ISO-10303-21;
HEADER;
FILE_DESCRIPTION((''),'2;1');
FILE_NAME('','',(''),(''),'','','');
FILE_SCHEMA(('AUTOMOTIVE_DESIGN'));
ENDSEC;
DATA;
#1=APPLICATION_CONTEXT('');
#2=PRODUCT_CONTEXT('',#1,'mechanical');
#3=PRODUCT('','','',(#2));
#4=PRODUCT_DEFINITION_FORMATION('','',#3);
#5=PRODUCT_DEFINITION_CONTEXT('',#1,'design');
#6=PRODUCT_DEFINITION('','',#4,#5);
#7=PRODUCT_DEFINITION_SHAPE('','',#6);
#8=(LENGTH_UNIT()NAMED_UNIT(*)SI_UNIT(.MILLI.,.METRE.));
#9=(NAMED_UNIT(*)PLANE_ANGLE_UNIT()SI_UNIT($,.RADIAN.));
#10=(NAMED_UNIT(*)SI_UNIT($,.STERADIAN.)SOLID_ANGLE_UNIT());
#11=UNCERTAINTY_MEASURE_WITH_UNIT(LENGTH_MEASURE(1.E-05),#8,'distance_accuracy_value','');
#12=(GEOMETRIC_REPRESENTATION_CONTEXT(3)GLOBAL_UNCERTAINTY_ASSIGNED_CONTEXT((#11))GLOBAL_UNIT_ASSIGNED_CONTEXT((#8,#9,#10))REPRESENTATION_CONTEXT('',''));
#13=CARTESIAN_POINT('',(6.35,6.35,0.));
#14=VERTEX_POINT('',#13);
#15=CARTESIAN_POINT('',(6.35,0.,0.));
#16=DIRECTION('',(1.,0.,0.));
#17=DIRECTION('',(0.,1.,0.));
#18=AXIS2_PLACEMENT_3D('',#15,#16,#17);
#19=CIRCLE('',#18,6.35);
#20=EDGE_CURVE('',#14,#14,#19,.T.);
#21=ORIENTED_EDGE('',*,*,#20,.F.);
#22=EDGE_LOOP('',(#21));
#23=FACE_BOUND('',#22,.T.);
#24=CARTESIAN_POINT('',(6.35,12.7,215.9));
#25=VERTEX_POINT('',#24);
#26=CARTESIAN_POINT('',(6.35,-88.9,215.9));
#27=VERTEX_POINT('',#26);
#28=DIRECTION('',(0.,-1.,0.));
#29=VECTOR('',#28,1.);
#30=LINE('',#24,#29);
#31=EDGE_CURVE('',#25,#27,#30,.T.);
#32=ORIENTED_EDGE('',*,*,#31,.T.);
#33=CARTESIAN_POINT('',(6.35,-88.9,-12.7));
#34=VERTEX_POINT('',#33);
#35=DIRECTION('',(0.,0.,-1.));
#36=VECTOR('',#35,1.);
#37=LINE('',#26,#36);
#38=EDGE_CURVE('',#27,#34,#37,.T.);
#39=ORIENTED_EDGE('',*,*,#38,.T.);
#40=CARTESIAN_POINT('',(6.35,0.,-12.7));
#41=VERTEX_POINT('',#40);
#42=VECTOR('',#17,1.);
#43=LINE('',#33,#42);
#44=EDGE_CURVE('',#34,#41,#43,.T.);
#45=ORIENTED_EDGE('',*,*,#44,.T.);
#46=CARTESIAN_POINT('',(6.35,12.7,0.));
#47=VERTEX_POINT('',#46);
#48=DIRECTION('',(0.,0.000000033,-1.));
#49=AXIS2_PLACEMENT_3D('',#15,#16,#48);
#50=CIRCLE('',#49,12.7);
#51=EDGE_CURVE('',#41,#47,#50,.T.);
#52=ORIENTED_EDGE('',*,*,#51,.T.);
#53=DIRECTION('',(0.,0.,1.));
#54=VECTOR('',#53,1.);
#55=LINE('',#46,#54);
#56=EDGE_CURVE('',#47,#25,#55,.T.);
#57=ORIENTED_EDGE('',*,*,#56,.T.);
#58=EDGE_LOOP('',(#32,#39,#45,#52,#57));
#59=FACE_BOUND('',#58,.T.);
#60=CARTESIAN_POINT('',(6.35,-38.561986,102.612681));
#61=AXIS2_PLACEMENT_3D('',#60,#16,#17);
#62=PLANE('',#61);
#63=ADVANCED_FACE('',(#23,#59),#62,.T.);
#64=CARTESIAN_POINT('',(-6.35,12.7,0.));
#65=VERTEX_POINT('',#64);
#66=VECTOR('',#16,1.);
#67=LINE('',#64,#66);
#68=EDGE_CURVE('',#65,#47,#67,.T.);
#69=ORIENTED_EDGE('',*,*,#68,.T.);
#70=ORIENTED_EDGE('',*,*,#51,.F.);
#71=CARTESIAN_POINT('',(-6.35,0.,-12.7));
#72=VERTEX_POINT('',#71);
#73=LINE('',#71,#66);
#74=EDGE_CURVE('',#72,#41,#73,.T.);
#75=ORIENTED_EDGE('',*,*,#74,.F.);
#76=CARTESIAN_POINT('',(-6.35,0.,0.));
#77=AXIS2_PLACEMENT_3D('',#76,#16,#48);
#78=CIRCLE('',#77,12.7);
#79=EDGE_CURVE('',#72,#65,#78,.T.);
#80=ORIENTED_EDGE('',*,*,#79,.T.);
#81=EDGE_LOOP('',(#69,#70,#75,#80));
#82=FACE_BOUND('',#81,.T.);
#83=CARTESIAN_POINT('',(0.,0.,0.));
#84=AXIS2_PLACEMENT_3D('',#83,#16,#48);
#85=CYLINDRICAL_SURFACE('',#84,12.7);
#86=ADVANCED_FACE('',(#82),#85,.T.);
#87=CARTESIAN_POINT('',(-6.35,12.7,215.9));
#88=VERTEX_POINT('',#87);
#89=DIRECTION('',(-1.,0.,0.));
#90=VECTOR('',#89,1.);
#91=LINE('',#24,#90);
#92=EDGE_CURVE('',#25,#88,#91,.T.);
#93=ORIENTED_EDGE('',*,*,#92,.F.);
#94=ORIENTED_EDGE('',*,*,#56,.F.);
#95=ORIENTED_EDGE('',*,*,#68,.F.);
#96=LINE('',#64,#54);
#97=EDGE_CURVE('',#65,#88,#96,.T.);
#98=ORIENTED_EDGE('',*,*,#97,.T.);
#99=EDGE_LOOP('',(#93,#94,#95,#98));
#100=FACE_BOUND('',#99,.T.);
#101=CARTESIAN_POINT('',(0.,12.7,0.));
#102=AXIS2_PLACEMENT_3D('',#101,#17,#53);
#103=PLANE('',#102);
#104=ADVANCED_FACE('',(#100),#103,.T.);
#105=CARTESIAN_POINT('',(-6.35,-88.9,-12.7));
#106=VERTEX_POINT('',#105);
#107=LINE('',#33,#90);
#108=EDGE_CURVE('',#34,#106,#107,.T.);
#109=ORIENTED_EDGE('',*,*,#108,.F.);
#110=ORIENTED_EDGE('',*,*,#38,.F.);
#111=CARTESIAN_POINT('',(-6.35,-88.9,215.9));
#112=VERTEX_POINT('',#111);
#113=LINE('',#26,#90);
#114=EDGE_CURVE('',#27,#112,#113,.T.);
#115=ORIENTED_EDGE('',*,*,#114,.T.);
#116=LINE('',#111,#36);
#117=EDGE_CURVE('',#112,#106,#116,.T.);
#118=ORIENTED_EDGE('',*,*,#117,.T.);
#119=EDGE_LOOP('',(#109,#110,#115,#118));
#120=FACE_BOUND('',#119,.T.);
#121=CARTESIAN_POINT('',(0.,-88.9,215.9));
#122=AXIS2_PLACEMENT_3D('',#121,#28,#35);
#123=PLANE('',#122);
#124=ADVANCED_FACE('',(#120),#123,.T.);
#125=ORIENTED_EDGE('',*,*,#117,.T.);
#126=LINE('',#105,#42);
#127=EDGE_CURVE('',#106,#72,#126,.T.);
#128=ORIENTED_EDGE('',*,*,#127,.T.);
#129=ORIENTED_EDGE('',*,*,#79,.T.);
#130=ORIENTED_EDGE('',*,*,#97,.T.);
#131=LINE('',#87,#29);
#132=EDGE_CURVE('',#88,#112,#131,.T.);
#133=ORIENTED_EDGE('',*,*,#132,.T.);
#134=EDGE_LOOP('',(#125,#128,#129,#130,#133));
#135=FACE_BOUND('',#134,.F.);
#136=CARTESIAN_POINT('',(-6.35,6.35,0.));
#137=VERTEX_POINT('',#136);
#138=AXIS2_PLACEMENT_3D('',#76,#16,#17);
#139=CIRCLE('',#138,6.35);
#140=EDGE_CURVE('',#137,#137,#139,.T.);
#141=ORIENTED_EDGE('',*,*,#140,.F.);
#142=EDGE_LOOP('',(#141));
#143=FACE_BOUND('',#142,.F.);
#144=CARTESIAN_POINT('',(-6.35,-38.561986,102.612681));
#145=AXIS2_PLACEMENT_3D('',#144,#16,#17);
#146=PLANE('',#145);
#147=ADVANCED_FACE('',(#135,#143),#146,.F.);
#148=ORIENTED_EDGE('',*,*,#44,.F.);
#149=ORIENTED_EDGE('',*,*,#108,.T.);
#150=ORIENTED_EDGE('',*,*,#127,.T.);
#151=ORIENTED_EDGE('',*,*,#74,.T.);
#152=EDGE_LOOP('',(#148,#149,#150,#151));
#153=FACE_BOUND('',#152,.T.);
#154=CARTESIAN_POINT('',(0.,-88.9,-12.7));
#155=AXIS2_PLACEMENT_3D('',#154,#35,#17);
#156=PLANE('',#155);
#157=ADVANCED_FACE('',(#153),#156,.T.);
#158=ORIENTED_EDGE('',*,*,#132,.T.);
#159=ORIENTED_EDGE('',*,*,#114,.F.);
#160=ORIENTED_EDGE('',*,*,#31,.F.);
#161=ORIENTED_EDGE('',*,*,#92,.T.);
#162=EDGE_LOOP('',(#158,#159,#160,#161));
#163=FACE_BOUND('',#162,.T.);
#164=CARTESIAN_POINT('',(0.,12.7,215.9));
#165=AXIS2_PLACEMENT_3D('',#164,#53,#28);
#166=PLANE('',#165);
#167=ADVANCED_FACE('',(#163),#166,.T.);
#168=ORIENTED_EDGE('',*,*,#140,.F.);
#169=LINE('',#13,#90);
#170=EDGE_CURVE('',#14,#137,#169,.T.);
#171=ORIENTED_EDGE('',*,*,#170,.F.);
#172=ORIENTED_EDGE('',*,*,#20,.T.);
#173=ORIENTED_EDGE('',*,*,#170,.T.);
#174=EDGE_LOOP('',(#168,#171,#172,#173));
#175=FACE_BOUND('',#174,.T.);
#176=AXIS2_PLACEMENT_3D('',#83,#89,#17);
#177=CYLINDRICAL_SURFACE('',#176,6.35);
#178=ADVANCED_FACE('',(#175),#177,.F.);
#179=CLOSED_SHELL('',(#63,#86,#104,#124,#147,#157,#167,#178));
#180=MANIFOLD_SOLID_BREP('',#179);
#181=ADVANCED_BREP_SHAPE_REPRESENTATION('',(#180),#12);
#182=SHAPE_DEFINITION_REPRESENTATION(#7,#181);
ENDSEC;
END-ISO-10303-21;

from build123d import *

# Parameters (mm, degrees)
F0_R     = 6.35
F1_DEPTH = 6.35


with BuildPart() as f1:
    # F0 (on Right) → F1 (new body, symmetric)
    with BuildSketch(Plane.YZ):
        with BuildLine():
            Line((-88.9, -12.7), (0, -12.7))
            ThreePointArc((0, -12.7), (8.980256, -8.980256), (12.7, 0))
            Line((12.7, 0), (12.7, 215.9))
            Line((12.7, 215.9), (-88.9, 215.9))
            Line((-88.9, 215.9), (-88.9, -12.7))
        make_face()
        Circle(F0_R, mode=Mode.SUBTRACT)
    extrude(amount=F1_DEPTH, both=True)


solid = f1.part
